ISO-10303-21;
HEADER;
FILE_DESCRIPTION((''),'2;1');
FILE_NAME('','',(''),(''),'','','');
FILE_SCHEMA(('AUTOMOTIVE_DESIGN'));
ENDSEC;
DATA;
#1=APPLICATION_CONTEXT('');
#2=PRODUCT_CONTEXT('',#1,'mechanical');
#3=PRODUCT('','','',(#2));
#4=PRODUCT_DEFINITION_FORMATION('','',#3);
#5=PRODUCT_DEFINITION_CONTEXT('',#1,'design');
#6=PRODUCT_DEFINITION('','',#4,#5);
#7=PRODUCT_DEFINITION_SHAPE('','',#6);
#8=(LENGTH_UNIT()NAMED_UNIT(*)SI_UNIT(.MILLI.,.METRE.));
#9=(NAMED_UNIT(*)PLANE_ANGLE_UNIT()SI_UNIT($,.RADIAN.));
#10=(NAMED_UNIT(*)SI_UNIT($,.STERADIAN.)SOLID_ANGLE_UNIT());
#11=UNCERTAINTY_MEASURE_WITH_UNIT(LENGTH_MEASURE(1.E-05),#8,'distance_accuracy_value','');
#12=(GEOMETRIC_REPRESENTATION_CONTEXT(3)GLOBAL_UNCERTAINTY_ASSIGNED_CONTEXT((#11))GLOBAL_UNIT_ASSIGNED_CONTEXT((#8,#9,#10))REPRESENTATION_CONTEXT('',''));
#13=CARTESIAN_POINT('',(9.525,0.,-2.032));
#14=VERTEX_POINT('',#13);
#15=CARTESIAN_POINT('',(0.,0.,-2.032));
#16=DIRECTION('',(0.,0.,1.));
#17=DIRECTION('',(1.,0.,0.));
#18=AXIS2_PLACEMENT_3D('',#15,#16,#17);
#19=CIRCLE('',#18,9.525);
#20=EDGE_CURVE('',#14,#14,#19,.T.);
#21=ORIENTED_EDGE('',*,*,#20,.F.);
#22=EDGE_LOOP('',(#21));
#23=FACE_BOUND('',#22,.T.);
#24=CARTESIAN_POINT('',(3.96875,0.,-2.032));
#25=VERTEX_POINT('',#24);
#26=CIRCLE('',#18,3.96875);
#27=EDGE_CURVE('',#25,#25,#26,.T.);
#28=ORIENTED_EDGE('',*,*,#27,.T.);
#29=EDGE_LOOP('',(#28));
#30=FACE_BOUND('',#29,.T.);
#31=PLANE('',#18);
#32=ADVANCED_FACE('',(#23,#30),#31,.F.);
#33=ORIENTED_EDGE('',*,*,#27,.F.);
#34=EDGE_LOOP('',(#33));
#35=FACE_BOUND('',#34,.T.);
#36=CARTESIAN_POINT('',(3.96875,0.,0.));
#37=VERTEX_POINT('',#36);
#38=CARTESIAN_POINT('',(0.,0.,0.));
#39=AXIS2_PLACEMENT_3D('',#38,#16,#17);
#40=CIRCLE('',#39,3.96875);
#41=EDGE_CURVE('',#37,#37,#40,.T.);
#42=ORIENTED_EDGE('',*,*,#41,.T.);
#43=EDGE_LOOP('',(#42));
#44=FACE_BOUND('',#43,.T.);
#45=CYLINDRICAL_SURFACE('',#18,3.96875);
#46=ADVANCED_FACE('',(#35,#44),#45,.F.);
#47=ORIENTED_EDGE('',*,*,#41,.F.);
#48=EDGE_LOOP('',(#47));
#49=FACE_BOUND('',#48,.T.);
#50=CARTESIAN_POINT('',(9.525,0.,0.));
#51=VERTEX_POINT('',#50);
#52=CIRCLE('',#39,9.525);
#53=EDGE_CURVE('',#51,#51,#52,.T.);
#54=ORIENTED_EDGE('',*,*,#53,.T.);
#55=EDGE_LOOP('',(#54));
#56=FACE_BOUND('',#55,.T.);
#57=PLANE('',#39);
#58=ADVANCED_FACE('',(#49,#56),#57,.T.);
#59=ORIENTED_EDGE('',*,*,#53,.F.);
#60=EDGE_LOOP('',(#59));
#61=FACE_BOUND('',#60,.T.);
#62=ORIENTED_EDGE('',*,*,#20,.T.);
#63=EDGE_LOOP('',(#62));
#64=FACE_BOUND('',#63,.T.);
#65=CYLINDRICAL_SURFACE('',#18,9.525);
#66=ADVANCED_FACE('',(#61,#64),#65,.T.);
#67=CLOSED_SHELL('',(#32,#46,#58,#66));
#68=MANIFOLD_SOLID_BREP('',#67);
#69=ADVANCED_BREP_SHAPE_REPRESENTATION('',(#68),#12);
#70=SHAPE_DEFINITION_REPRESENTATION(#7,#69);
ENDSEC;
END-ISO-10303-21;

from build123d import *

# Parameters (mm, degrees)
SKETCH1_R      = 9.525
SKETCH1_R_2    = 3.96875
EXTRUDE1_DEPTH = 2.032


with BuildPart() as part:
    # Sketch1 → Extrude1 (new body)
    with BuildSketch(Plane.XY):
        Circle(SKETCH1_R)
        Circle(SKETCH1_R_2, mode=Mode.SUBTRACT)
    extrude(amount=-EXTRUDE1_DEPTH)


solid = part.part
